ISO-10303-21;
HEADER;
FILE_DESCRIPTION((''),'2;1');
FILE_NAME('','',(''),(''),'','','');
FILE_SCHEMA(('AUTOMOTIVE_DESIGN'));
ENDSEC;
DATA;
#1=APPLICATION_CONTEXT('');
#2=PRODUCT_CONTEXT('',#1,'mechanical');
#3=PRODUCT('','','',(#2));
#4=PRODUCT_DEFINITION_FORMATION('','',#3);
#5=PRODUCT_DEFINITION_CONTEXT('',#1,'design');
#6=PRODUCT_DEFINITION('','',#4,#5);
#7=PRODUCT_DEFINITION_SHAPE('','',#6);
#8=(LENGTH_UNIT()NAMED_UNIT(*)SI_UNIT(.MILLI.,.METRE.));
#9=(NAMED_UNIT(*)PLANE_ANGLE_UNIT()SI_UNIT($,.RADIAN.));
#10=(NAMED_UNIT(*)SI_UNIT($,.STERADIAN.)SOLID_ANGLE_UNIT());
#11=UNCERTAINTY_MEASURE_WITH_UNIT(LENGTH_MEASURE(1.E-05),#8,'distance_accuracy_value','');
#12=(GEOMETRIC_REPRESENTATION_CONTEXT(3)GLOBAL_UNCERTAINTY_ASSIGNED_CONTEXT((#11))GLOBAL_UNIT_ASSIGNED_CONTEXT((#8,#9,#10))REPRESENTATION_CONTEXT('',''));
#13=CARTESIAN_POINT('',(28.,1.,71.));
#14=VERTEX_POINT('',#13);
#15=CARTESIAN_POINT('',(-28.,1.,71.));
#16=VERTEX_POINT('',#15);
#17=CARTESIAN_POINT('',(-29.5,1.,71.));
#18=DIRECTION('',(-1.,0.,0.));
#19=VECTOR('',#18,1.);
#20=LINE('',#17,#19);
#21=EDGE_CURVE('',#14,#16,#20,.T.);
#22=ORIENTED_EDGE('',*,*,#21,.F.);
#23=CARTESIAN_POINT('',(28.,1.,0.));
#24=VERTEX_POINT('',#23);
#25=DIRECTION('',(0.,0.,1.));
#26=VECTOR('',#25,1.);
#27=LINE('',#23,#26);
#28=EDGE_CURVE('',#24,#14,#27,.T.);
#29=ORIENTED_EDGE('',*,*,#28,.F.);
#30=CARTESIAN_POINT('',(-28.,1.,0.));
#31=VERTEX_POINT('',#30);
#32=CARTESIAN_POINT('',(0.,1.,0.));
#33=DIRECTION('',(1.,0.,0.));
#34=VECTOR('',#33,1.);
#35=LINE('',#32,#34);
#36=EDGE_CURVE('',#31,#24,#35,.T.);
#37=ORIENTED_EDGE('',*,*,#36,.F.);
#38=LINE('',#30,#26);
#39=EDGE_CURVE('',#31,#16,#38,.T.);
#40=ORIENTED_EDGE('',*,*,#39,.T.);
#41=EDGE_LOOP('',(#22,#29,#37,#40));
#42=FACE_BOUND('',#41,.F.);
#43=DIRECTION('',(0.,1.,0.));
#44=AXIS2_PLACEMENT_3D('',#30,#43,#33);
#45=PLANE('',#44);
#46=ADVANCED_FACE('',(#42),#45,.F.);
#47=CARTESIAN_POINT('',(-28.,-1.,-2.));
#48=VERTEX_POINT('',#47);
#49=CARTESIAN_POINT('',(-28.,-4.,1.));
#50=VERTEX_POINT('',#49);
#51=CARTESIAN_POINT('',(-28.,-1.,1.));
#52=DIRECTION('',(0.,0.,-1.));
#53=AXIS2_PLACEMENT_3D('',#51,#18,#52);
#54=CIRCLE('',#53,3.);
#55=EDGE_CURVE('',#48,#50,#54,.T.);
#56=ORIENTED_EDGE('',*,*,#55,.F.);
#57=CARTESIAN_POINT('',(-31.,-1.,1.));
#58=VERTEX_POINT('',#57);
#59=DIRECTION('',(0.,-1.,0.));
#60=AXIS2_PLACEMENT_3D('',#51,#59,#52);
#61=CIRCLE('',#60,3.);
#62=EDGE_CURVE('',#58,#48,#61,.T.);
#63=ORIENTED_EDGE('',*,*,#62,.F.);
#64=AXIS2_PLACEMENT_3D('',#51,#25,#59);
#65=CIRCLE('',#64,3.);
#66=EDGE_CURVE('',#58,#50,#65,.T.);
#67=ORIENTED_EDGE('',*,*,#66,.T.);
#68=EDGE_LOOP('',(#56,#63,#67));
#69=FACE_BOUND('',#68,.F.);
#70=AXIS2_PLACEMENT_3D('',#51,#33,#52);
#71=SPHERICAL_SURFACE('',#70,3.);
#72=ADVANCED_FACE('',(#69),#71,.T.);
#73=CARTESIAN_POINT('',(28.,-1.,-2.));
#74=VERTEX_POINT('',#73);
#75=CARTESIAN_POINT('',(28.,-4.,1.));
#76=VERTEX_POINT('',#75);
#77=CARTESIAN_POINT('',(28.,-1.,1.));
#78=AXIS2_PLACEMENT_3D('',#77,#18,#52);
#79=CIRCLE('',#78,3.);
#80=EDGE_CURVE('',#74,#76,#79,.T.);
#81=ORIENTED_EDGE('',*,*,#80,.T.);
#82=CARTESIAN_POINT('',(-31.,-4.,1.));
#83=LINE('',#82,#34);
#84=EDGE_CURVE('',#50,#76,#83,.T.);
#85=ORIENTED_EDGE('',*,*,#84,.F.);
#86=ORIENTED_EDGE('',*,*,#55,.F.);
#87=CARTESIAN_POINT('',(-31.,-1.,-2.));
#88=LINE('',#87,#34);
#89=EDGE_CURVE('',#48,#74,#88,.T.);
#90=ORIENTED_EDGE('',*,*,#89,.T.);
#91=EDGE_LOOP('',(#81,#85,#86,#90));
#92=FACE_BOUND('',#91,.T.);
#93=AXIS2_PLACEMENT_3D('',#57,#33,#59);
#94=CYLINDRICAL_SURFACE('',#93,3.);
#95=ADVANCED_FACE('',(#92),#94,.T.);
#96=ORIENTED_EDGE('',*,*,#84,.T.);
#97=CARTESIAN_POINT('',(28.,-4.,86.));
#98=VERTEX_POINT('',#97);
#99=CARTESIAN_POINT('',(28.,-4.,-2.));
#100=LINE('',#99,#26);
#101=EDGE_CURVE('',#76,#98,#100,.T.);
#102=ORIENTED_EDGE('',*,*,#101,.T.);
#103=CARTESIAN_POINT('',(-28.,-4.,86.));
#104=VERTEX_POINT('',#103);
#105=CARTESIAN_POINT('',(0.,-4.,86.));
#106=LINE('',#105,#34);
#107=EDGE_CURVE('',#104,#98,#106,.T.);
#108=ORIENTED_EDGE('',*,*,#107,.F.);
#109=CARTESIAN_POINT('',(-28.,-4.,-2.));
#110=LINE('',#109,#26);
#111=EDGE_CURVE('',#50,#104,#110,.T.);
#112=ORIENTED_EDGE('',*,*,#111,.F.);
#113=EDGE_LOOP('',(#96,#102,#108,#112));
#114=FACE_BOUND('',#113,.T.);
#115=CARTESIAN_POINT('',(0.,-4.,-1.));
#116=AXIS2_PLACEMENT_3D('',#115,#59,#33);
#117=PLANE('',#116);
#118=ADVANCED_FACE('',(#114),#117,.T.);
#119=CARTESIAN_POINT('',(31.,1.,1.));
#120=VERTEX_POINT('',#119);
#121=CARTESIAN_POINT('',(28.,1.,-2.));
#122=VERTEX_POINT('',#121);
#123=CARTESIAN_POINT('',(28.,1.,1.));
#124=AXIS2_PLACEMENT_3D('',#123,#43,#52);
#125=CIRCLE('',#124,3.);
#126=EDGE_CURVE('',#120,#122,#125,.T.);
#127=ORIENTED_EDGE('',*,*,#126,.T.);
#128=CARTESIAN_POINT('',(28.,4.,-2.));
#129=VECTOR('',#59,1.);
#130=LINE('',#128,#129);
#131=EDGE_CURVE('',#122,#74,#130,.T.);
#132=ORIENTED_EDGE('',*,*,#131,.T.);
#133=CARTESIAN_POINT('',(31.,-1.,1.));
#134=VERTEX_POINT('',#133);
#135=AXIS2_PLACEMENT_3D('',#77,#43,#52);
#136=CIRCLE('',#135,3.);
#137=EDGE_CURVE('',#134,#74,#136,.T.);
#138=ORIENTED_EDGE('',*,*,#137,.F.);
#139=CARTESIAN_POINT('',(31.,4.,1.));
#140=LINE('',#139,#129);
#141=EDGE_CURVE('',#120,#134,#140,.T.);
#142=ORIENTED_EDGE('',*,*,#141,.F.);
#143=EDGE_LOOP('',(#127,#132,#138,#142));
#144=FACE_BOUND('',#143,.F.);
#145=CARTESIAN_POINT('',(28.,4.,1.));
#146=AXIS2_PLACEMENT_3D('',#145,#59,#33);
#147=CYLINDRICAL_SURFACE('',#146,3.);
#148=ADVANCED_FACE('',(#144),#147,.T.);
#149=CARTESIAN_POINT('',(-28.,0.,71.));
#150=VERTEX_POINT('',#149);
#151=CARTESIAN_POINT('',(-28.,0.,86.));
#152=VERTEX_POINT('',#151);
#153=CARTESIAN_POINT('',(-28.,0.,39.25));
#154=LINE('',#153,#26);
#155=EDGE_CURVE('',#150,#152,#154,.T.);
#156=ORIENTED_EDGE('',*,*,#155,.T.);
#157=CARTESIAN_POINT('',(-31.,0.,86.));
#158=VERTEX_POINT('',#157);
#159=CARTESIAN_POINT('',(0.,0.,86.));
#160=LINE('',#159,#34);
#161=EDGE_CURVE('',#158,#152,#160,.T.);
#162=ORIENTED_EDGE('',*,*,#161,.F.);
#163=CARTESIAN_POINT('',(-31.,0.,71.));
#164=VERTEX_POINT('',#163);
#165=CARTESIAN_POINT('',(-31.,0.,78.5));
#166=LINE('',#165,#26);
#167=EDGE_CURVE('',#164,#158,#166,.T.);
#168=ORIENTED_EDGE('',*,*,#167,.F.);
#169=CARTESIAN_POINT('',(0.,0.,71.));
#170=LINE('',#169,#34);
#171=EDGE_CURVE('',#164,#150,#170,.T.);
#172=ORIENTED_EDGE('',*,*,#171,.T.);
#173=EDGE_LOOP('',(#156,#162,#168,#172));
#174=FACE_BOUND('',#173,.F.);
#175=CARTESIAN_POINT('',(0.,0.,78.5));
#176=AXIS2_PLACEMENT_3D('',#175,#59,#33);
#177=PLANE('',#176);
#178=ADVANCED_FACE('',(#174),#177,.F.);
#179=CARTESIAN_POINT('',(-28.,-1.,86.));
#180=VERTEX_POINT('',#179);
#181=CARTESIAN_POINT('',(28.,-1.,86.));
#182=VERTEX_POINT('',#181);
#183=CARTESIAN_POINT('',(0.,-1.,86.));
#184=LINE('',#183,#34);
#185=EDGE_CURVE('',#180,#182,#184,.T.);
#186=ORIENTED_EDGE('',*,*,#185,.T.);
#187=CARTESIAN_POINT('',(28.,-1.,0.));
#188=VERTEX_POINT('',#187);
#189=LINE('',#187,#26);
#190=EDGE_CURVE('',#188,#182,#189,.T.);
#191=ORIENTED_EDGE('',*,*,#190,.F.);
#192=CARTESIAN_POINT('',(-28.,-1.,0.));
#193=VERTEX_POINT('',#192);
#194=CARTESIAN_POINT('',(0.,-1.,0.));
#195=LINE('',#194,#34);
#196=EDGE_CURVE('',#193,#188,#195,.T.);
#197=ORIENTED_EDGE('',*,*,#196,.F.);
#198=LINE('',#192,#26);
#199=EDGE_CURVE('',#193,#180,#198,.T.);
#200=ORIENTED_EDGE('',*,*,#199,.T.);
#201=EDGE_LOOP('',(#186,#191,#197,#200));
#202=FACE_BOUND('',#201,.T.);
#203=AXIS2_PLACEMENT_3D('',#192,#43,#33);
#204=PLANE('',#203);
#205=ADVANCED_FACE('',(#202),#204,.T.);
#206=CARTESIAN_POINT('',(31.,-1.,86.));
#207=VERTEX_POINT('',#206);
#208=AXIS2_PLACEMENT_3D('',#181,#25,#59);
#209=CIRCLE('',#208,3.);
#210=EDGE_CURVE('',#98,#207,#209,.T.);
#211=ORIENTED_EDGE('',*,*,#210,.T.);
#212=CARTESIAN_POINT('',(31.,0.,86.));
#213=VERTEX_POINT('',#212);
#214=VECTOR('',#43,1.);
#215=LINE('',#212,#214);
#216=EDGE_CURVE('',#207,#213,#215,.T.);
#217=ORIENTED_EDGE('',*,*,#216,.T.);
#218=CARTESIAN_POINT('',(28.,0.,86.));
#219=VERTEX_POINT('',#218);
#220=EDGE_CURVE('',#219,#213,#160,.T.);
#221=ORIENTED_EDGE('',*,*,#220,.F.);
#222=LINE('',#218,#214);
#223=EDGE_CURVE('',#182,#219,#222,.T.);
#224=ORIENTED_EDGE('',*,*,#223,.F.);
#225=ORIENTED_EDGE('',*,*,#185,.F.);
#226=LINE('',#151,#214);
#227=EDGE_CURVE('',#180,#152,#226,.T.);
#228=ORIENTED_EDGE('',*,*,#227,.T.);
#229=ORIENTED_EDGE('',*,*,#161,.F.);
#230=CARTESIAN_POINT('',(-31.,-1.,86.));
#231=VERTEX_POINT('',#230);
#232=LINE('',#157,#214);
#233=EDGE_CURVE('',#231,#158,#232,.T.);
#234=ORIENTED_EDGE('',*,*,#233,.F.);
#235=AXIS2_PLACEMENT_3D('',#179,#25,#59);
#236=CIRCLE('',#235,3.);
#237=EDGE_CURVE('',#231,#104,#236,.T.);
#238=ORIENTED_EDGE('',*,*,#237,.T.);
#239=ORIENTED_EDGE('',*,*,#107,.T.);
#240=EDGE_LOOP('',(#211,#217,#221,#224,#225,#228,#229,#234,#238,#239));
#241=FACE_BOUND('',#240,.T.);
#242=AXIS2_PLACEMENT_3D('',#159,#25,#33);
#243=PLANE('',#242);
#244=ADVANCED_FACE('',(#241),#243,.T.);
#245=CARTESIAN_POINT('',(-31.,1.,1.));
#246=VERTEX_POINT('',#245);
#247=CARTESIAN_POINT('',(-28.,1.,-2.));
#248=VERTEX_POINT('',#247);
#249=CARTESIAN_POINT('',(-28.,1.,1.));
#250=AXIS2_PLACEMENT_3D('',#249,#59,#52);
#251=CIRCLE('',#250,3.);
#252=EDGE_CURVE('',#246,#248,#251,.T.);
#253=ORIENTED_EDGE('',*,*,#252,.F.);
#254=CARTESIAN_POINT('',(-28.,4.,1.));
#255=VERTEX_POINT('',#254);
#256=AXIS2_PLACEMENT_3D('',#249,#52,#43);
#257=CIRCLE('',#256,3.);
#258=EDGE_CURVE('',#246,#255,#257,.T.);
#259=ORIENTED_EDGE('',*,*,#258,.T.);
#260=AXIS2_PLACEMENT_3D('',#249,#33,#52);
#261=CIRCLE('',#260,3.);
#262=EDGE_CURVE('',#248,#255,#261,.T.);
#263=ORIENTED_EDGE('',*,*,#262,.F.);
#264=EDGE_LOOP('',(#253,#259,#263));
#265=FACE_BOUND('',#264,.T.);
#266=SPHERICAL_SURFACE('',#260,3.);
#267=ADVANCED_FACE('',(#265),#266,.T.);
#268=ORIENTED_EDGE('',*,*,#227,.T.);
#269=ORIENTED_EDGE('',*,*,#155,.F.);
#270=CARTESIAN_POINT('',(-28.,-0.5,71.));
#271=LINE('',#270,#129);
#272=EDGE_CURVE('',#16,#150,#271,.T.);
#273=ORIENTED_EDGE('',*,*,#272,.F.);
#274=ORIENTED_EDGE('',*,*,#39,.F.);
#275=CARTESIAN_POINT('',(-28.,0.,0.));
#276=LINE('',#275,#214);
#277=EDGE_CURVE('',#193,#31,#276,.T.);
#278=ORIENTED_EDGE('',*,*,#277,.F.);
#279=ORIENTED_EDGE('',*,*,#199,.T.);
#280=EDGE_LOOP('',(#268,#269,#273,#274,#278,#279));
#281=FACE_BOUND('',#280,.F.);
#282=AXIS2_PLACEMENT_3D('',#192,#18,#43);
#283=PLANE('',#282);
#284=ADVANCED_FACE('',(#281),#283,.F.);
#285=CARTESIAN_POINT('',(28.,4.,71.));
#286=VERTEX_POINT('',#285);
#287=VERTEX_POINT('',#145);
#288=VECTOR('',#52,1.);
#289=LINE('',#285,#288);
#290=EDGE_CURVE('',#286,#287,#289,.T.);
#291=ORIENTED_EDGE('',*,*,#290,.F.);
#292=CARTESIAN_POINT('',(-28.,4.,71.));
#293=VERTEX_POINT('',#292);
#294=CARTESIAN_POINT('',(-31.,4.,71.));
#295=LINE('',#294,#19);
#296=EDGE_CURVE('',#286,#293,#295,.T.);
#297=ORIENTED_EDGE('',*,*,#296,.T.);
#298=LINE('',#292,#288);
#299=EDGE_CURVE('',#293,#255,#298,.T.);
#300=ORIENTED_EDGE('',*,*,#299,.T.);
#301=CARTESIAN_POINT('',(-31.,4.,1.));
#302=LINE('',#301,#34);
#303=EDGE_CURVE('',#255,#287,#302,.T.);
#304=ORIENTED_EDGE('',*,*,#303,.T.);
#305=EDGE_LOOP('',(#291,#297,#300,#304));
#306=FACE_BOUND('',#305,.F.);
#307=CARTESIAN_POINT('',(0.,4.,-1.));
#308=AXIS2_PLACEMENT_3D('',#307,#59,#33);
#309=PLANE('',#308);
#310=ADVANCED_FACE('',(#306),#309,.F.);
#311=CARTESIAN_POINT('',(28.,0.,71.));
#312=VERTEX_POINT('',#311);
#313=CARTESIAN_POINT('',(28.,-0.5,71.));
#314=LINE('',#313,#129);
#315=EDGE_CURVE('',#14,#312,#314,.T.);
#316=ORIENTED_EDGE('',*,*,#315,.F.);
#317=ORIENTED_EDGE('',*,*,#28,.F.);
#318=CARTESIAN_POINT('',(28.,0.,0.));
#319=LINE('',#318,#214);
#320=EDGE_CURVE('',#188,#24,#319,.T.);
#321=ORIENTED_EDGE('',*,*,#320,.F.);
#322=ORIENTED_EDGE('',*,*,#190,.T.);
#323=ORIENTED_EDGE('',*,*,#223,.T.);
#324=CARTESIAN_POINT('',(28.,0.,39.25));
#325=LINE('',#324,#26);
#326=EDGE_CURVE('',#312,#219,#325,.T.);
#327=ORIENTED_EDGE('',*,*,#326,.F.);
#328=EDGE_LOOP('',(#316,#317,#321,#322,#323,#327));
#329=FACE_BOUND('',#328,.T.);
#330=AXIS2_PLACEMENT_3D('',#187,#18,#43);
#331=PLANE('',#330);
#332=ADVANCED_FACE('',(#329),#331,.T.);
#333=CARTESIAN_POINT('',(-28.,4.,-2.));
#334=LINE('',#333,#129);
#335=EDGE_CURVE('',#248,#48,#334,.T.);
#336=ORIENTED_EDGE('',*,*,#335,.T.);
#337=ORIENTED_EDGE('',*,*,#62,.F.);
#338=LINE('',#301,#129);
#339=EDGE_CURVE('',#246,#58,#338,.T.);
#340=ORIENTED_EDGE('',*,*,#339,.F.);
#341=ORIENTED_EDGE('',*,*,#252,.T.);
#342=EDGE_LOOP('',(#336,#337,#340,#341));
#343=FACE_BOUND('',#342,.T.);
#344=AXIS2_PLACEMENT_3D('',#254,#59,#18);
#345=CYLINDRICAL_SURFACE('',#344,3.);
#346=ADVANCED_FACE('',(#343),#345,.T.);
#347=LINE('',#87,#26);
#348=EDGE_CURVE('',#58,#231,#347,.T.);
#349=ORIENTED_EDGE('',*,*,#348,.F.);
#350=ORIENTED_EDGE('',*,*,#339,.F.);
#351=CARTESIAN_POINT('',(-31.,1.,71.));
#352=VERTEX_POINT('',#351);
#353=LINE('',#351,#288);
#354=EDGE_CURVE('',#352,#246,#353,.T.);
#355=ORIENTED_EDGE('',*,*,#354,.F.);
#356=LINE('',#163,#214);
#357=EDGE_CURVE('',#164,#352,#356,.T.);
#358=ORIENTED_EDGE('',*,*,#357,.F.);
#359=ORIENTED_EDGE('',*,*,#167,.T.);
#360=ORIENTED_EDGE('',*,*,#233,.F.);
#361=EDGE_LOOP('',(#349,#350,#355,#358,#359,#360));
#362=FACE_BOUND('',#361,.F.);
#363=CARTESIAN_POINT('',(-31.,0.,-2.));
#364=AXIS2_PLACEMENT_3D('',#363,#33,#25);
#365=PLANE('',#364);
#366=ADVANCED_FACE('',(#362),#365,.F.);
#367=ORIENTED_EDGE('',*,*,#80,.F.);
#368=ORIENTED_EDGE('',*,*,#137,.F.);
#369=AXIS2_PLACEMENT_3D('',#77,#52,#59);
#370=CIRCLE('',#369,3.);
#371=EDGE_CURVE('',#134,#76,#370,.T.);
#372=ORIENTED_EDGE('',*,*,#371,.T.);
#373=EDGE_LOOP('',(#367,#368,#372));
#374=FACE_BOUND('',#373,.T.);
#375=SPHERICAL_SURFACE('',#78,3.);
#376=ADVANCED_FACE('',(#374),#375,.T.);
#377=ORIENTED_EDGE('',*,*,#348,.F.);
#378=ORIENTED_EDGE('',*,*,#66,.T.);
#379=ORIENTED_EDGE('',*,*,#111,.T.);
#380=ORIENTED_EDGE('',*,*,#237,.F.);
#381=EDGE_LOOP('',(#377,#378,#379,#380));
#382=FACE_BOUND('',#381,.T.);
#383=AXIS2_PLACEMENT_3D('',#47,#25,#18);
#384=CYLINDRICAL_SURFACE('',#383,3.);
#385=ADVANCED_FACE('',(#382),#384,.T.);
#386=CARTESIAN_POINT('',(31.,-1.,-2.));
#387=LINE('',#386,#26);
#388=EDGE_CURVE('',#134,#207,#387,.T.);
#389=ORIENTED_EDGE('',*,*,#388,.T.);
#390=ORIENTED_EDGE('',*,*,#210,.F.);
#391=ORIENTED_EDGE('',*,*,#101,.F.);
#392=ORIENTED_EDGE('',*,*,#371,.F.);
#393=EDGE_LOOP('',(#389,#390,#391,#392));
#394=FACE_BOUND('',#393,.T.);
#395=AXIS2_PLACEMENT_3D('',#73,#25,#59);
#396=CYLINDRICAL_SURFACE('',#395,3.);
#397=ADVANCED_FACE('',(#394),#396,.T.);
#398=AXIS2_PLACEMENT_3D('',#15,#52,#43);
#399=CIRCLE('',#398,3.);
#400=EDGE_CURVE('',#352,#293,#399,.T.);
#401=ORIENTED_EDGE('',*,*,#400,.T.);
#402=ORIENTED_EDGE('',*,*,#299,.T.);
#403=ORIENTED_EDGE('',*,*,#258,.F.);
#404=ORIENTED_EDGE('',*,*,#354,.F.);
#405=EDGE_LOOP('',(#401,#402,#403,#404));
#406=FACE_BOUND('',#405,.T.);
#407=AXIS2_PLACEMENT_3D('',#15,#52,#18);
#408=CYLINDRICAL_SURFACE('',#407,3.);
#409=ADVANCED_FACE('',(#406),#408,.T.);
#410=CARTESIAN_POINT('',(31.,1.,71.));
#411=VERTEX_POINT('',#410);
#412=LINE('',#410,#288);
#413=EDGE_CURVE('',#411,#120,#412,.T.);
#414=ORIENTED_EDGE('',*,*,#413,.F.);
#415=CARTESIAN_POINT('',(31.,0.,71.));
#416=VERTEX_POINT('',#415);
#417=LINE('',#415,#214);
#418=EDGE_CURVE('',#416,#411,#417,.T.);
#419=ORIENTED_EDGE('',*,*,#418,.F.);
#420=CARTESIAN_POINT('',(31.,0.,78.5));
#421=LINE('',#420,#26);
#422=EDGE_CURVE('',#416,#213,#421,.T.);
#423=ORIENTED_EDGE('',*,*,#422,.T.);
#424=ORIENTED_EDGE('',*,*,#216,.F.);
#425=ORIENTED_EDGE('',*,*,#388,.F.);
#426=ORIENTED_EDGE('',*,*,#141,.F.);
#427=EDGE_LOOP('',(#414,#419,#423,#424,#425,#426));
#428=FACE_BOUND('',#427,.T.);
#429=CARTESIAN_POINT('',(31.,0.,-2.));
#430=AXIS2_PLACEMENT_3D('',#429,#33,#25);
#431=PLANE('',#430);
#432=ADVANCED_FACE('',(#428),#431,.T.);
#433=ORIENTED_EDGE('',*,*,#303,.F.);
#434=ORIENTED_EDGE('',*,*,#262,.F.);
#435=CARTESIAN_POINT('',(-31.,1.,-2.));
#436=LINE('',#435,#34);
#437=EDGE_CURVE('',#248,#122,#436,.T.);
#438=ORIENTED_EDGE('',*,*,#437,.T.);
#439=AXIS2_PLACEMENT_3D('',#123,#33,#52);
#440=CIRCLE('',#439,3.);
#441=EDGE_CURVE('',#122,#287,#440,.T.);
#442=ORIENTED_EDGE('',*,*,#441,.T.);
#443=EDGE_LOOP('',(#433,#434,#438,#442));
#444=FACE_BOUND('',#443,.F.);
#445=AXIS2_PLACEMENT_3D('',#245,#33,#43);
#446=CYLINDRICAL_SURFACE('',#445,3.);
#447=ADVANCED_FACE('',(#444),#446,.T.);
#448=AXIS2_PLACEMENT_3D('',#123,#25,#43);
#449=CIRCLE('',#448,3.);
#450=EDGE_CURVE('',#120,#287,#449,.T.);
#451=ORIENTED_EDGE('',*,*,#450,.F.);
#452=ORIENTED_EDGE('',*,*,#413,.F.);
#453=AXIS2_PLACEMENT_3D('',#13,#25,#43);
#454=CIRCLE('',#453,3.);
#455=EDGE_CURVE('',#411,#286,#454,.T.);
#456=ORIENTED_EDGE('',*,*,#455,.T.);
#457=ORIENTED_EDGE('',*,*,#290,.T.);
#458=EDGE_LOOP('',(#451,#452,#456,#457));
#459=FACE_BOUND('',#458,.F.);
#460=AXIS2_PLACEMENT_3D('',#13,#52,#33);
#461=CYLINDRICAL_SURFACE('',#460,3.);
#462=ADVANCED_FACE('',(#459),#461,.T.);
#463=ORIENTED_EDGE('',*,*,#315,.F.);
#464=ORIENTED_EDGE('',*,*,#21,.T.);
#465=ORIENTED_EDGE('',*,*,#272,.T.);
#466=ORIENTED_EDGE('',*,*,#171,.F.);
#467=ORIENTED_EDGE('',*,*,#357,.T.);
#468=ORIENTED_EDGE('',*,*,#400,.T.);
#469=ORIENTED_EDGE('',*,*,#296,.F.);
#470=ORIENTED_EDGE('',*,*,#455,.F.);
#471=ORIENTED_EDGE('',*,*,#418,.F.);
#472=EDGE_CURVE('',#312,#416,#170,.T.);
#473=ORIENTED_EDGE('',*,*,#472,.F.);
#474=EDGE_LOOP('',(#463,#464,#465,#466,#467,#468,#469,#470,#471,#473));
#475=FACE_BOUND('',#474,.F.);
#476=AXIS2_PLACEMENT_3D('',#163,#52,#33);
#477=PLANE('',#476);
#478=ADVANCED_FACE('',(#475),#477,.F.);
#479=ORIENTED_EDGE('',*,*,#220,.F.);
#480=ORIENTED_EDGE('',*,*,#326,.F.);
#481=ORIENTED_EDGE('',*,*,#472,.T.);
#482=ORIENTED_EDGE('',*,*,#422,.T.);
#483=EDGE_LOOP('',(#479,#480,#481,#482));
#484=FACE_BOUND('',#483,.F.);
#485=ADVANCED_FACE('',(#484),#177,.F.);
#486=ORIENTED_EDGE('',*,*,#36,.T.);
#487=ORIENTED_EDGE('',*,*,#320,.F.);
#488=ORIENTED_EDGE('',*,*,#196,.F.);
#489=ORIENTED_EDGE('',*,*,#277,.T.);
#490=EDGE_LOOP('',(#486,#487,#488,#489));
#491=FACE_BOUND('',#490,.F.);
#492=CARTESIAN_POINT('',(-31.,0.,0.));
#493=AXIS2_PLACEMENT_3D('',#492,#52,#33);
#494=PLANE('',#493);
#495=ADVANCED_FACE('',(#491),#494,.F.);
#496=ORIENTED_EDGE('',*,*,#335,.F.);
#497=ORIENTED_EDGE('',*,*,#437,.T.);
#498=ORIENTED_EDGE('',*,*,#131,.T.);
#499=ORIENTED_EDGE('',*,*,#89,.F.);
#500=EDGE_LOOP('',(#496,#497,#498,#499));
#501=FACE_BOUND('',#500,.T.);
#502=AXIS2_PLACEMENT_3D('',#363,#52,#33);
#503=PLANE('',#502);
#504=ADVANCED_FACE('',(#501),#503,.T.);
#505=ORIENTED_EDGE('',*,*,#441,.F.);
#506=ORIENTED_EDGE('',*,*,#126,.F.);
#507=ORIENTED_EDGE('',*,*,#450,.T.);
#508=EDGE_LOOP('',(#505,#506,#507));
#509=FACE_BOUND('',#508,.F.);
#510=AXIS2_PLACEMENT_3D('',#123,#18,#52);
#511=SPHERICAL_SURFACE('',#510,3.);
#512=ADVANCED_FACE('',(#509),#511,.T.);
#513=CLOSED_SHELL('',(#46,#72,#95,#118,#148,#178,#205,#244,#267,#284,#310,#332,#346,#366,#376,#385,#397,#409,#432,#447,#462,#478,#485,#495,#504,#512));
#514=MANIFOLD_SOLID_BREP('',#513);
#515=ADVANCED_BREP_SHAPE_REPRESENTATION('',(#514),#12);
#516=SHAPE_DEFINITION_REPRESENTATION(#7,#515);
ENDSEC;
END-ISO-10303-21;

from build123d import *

# Parameters (mm, degrees)
F0_W     = 62
F0_H     = 8
F0_W_2   = 56
F0_H_2   = 2
F1_DEPTH = 86
F2_W     = 62
F2_H     = 15
F3_DEPTH = 5
F4_W     = 62
F4_H     = 2
F5_DEPTH = 4
F6_R     = 3


with BuildPart() as f1:
    # F0 (on Top) → F1 (new body)
    with BuildSketch(Plane.XY):
        Rectangle(F0_W, F0_H)
        Rectangle(F0_W_2, F0_H_2, mode=Mode.SUBTRACT)
    extrude(amount=F1_DEPTH)

    # F2 (on Front) → F3 (cut)
    with BuildSketch(Plane.XZ):
        with Locations((0, 78.5)):
            Rectangle(F2_W, F2_H)
    extrude(amount=-F3_DEPTH, mode=Mode.SUBTRACT)

    # F4 (on Front) → F5 (join, symmetric)
    with BuildSketch(Plane.XZ):
        with Locations((0, -1)):
            Rectangle(F4_W, F4_H)
    extrude(amount=F5_DEPTH, both=True)

    # F6
    f6_edges = [f1.edges().sort_by_distance(p)[0] for p in [
        (0, 4, -2),
        (0, -4, -2),
        (31, 0, -2),
        (-31, 0, -2),
        (31, 4, 34.5),
        (31, -4, 42),
        (-31, 4, 34.5),
        (-31, -4, 42),
    ]]
    fillet(f6_edges, radius=F6_R)


solid = f1.part
